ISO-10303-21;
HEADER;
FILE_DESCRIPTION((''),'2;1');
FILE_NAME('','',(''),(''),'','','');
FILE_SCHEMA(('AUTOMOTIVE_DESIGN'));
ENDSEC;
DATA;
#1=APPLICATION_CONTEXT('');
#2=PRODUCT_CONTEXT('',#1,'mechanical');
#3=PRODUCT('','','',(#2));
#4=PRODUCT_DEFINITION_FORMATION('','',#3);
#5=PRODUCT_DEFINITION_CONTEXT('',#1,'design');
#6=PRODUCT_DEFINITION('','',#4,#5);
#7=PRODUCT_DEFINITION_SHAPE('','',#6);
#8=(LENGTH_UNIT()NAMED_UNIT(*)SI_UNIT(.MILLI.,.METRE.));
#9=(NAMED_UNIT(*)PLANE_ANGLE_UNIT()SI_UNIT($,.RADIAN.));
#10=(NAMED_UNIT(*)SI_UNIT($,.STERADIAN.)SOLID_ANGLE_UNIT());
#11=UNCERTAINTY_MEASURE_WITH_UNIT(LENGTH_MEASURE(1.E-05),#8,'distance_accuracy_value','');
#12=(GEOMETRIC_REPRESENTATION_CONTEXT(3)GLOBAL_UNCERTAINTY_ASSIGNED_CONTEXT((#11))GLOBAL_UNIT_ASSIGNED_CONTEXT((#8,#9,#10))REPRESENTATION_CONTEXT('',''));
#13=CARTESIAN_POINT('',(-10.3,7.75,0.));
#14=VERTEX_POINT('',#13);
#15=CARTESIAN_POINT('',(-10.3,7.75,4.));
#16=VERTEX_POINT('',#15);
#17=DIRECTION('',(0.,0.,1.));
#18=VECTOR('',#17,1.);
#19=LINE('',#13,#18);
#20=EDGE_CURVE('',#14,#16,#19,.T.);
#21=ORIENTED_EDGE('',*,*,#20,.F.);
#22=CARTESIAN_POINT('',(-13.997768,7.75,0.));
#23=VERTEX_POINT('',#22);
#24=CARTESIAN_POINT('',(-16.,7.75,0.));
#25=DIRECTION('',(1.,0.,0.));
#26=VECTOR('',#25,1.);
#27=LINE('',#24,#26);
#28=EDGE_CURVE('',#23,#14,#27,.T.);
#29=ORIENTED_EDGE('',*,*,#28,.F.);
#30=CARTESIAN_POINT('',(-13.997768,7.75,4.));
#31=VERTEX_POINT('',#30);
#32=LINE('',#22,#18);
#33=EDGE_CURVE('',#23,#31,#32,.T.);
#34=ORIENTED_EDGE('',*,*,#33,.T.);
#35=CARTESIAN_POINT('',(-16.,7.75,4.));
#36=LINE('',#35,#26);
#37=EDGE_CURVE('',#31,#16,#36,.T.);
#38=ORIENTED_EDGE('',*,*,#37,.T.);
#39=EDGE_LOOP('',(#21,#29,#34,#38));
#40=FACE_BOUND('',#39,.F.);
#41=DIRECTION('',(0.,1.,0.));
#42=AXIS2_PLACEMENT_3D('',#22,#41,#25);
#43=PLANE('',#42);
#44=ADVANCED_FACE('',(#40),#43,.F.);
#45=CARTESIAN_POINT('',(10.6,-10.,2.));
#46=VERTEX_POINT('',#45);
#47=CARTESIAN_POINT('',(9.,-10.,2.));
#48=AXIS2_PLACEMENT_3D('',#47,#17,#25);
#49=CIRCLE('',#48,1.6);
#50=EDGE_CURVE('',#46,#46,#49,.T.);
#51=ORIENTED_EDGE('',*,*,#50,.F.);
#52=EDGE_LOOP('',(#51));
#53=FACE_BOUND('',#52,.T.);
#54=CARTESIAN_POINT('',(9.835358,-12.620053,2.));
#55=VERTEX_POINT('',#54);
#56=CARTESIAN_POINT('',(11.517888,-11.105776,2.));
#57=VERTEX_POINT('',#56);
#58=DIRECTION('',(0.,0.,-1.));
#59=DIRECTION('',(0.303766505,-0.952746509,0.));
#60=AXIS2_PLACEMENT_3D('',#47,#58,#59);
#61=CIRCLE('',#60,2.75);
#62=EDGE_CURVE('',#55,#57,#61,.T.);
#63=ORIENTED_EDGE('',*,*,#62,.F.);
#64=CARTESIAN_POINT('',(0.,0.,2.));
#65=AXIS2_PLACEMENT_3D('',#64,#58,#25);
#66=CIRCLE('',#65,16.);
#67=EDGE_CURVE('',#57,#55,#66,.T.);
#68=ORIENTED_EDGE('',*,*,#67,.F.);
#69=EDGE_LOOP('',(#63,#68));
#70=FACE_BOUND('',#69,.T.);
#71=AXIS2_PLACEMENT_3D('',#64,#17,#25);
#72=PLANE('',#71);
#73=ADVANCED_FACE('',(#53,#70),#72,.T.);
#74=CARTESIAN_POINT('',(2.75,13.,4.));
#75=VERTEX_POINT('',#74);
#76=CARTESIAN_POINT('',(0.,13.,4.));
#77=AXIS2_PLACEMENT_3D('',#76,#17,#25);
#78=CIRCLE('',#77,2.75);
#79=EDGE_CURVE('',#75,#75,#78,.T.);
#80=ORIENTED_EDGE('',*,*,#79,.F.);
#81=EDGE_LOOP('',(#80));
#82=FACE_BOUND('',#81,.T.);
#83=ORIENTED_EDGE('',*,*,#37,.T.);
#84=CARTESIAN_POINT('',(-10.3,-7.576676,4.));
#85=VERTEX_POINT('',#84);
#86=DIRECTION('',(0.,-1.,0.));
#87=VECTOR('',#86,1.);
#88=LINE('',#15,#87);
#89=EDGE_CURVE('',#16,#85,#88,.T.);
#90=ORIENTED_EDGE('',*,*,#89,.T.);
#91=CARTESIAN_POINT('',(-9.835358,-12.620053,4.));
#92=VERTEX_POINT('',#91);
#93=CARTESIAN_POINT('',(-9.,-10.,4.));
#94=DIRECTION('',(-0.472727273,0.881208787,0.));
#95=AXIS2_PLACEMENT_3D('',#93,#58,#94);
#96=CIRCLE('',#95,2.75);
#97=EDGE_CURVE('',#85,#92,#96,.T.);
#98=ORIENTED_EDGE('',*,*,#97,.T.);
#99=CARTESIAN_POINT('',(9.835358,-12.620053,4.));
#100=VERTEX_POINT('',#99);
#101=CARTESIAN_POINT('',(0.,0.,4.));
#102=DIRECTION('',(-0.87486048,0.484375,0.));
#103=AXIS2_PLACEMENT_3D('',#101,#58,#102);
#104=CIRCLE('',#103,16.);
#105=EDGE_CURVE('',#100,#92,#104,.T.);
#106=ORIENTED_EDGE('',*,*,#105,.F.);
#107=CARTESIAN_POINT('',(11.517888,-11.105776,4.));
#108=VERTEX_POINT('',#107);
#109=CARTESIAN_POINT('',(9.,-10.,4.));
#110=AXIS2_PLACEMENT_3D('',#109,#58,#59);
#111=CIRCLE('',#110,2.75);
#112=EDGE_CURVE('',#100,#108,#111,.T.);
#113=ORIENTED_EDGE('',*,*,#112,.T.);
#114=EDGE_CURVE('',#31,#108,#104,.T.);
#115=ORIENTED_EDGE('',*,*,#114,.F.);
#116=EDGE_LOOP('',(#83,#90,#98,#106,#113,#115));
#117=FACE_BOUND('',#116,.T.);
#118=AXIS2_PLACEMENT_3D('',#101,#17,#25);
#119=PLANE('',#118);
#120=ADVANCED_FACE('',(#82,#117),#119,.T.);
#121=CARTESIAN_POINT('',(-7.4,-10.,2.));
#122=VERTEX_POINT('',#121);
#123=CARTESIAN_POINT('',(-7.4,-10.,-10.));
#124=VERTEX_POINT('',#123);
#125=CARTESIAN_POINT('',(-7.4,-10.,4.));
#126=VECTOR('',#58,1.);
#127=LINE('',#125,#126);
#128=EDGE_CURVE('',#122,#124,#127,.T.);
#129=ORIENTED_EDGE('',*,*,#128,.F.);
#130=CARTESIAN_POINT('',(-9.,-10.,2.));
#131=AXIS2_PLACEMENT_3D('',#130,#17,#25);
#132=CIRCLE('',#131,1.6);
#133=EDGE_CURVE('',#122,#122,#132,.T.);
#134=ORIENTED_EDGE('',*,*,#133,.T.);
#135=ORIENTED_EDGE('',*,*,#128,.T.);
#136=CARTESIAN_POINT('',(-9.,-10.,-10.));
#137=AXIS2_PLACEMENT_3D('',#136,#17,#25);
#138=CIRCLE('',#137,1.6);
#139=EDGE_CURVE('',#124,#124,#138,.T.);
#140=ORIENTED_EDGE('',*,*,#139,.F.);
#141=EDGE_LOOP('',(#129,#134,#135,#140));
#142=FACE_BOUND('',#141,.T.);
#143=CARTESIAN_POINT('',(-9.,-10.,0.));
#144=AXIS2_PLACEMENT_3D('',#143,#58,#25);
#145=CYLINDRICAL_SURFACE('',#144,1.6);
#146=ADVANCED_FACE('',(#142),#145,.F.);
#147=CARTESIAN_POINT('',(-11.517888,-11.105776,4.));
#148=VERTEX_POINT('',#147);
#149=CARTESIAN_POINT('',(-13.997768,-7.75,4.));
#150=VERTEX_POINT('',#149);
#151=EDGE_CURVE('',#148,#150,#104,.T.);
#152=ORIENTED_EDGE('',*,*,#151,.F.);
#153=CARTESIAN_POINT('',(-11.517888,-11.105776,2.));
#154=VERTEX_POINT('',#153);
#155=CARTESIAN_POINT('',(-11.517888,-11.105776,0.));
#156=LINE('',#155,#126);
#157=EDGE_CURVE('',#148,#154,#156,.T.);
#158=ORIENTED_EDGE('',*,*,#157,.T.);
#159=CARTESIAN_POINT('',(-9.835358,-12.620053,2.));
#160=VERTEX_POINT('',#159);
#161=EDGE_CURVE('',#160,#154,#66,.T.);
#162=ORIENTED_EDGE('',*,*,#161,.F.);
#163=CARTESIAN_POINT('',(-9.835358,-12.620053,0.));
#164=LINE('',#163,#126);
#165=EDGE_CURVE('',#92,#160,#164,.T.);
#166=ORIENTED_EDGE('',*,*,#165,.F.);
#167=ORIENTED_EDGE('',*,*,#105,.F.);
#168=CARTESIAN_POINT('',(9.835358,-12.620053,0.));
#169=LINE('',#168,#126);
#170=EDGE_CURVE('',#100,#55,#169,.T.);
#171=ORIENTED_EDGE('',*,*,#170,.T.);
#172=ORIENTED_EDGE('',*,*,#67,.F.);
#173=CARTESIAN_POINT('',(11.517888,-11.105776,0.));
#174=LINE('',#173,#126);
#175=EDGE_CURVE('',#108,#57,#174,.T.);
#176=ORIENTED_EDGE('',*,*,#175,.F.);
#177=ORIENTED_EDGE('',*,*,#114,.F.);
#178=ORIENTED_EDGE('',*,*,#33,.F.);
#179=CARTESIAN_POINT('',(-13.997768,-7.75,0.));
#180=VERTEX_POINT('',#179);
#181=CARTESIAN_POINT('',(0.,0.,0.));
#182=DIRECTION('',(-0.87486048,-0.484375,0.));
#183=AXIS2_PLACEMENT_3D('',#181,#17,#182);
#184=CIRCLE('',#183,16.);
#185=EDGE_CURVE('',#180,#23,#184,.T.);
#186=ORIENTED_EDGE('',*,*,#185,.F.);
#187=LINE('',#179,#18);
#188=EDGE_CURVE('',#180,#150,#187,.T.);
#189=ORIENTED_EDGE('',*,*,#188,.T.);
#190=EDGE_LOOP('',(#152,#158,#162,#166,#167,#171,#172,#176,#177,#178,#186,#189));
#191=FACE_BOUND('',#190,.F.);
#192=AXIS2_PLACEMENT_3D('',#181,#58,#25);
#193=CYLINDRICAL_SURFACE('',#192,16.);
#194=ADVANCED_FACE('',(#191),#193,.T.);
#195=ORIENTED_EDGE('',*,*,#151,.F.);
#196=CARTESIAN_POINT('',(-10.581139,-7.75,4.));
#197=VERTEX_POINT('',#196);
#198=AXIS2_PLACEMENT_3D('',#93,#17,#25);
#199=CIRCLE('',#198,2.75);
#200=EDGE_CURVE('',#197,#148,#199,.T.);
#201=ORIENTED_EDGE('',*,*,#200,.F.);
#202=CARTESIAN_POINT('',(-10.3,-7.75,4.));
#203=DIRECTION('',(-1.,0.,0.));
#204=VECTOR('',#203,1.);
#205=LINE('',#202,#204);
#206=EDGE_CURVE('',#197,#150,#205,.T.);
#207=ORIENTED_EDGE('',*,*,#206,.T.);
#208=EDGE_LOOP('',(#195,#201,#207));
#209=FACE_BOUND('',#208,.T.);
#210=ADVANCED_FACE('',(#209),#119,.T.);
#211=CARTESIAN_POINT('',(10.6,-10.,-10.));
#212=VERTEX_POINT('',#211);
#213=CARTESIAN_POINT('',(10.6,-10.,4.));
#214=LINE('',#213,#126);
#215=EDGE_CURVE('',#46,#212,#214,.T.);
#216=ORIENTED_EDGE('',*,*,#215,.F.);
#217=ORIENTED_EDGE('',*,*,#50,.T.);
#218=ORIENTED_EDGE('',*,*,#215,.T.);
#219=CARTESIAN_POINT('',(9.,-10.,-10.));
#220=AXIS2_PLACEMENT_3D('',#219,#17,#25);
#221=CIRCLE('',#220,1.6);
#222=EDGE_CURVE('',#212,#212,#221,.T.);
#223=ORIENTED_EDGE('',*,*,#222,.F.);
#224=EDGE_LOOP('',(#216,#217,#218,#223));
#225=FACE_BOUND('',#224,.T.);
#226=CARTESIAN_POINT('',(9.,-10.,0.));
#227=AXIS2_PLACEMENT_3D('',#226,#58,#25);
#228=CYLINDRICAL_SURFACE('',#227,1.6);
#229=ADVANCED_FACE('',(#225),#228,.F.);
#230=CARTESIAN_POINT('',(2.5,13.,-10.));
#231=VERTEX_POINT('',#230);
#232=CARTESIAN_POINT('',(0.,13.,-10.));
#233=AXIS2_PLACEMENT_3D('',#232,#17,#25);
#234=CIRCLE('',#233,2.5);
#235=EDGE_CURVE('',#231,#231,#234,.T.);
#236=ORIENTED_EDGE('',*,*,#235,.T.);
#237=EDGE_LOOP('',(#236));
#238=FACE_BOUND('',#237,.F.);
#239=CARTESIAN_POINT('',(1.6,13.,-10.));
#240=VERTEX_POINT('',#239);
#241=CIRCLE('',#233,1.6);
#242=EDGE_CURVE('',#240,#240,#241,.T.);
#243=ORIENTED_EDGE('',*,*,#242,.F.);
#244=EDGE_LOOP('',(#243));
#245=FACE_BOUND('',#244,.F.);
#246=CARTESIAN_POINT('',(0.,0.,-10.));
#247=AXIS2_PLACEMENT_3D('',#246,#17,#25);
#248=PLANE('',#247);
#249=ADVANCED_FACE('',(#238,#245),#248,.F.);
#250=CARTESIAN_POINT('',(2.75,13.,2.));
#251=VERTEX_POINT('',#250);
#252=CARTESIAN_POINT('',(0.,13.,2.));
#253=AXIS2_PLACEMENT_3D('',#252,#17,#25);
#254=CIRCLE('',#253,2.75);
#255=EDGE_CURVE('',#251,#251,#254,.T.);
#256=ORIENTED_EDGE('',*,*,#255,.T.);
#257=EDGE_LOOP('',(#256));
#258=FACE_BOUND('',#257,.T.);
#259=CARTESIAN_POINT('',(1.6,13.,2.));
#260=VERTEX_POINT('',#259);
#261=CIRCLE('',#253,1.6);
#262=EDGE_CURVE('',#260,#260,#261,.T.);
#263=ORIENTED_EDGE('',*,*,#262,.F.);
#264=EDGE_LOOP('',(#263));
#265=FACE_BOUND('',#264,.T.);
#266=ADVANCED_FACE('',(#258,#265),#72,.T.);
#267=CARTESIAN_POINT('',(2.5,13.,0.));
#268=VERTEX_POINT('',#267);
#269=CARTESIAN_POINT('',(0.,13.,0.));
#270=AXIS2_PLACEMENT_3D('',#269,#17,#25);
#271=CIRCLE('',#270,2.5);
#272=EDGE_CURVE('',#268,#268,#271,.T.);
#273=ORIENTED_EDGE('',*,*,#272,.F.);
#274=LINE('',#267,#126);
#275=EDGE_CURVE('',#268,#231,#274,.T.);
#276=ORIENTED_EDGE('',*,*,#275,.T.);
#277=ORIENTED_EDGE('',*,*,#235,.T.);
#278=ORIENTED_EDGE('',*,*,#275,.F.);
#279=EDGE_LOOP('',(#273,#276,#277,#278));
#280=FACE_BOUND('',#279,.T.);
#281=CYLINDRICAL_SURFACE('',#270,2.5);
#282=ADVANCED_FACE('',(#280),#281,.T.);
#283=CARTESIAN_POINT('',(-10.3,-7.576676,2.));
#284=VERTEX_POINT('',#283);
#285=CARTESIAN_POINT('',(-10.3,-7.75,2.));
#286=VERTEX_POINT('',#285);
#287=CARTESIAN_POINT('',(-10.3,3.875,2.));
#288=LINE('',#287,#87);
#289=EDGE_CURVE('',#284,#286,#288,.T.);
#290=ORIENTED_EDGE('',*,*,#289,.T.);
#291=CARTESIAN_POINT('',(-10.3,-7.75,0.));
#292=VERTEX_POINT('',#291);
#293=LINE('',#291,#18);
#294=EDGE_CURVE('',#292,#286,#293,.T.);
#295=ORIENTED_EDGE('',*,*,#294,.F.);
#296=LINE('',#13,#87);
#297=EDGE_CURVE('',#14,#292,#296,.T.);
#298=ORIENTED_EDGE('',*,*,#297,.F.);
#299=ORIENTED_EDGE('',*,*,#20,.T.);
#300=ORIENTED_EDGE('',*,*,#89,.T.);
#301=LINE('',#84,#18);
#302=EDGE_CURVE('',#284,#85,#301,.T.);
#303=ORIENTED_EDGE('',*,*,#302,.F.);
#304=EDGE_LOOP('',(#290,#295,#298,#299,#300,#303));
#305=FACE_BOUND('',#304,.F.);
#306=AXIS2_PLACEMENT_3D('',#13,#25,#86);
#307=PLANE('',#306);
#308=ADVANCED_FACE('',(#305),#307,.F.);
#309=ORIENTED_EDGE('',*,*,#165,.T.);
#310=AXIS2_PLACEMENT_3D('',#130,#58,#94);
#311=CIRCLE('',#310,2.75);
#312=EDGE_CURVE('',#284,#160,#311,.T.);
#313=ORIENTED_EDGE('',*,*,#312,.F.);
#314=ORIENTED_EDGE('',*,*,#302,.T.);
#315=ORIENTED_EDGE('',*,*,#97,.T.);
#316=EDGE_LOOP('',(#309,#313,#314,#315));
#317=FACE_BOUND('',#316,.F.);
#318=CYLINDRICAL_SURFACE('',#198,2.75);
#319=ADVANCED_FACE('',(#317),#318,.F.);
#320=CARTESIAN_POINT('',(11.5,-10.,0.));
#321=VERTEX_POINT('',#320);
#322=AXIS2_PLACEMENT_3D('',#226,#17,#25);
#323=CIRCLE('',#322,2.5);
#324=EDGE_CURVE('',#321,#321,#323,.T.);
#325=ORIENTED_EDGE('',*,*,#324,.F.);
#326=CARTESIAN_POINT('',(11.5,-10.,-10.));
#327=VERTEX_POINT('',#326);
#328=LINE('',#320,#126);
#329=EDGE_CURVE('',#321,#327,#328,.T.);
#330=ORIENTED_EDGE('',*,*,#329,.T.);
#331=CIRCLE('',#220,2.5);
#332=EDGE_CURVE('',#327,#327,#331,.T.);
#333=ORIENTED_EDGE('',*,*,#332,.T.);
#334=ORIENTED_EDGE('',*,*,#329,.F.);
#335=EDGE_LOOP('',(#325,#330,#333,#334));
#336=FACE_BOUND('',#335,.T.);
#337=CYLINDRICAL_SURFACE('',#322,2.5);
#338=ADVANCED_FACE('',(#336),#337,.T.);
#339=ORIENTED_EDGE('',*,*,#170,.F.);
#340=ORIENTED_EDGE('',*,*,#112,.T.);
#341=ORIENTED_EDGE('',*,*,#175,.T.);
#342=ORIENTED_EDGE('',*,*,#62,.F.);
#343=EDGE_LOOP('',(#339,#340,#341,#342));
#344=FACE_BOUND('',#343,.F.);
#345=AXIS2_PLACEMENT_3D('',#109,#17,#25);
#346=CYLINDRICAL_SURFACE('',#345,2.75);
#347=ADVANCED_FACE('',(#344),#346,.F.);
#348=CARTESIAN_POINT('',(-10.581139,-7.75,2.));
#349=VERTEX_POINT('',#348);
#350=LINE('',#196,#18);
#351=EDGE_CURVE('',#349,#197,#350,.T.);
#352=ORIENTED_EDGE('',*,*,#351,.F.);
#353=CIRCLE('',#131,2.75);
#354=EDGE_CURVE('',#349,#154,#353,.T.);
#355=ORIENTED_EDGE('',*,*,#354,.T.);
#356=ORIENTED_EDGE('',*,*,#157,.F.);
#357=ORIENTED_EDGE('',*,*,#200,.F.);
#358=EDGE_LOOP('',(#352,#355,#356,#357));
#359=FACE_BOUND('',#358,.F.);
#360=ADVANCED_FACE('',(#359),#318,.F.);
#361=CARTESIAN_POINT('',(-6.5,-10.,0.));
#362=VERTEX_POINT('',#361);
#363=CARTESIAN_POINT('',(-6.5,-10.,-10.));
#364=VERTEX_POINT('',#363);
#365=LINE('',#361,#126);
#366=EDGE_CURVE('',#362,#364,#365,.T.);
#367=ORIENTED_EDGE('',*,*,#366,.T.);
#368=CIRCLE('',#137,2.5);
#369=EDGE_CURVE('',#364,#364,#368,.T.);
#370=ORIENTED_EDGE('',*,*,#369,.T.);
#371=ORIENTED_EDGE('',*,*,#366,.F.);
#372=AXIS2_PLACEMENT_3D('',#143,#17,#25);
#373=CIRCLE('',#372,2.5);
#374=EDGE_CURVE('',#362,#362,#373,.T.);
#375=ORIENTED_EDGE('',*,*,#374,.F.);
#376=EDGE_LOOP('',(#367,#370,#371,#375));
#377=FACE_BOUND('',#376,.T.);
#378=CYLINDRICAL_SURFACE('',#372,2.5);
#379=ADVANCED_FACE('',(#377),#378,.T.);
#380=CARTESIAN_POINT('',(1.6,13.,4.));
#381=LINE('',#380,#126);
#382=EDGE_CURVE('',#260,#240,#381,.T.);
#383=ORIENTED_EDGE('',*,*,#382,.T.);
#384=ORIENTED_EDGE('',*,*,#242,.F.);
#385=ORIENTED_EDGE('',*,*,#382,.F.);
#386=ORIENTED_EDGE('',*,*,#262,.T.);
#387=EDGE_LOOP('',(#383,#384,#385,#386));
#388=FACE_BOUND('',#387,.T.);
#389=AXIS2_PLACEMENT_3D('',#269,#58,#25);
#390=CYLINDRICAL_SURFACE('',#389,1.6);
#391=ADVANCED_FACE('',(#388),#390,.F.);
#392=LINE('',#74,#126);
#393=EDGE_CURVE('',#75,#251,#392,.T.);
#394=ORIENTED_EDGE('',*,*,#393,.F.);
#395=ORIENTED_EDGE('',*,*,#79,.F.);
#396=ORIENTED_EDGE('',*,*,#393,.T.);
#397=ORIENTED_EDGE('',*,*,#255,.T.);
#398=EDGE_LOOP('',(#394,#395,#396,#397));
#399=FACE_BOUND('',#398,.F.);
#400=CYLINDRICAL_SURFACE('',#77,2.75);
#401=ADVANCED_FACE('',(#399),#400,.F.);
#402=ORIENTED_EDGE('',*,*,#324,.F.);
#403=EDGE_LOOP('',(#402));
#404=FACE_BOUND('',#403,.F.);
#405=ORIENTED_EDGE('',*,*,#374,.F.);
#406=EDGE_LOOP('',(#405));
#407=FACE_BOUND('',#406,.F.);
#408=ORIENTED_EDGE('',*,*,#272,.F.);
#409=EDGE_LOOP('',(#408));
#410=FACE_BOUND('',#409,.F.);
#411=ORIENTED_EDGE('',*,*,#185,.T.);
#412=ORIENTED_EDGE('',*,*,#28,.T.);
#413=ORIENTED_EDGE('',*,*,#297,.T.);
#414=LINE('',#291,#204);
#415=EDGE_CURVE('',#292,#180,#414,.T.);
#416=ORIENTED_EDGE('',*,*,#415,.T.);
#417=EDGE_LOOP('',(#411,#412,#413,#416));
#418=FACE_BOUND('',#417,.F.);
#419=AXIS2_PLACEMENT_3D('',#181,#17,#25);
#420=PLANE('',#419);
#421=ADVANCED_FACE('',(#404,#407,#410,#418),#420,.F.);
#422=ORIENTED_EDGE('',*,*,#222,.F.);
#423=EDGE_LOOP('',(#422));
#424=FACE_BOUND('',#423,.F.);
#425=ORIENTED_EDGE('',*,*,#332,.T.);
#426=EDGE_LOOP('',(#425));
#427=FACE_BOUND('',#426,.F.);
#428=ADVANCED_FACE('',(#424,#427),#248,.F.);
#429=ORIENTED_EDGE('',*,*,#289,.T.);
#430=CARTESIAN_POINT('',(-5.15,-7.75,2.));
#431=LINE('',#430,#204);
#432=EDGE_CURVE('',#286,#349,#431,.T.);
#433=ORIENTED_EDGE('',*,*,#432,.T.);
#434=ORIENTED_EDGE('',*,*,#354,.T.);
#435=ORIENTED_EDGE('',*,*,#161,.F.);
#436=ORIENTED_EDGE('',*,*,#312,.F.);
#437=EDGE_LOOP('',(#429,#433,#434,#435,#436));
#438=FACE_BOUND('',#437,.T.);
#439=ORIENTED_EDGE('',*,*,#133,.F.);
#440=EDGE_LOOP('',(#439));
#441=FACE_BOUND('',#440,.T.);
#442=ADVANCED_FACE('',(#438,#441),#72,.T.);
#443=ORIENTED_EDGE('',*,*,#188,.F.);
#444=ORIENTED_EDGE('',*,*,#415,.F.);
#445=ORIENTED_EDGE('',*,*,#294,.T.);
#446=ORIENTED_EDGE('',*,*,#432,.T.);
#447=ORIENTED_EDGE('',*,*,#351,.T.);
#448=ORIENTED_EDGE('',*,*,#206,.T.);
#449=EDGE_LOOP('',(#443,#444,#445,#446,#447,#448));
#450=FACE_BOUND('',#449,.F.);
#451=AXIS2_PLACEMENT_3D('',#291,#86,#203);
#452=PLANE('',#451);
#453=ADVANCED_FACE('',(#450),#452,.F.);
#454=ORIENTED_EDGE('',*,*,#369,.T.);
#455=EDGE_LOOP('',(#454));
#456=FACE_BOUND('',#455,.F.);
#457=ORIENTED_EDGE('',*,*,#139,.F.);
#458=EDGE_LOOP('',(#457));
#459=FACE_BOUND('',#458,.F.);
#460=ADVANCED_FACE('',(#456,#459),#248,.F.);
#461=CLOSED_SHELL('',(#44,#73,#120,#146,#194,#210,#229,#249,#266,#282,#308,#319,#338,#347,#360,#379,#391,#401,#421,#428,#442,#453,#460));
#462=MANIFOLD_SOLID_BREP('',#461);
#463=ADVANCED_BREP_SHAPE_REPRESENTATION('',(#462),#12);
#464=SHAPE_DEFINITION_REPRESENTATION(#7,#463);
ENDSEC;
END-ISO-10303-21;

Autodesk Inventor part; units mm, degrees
ref_plane "YZ Plane" through (0, 0, 0) normal (1, 0, 0) x (0, 1, 0)
ref_plane "XZ Plane" through (0, 0, 0) normal (0, 1, 0) x (-1, 0, 0)
ref_plane "XY Plane" through (0, 0, 0) normal (0, 0, 1) x (1, 0, 0)
sketch "Sketch1" plane through (0, 0, 0) normal (0, 0, 1) x (1, 0, 0)
  circle A0 centre (0, 0) radius 16
  line L0 (-16, 7.75) -> (-10.3, 7.75)
  line L1 (-10.3, 7.75) -> (-10.3, -7.75)
  line L2 (-10.3, -7.75) -> (-16, -7.75)
  line L3 (-16, -7.75) -> (-16, 7.75)
  circle A1 centre (-9, -10) radius 1.6
  circle A2 centre (9, -10) radius 1.6
  circle A3 centre (0, 13) radius 1.6
  circle A4 centre (0, 13) radius 2.5
  circle A5 centre (-9, -10) radius 2.5
  circle A6 centre (9, -10) radius 2.5
  point P0 (-10.3, 0)
  point P1 (-13.9978, -7.75)
  point P2 (-13.9978, 7.75)
  dimension "d0" = 32
  dimension "d1" = 5.7
  dimension "d2" = 15.5
  dimension "d3" = 9
  dimension "d4" = 9
  dimension "d5" = 23
  dimension "d6" = 13
  dimension "d7" = 3.2
  dimension "d8" = 5
extrude "Extrusion1" add sketch "Sketch1" along normal blind 4 contours A0 L2 L1 L0 | A4 | A5 | A6 picked at (0.1004, -2.0554)
extrude "Extrusion2" add sketch "Sketch1" against normal blind 10 contours A4 | A5 | A6
sketch "Sketch2" plane through (0, 0, 4) normal (0, 0, 1) x (1, 0, 0)
  circle A0 centre (0, 13) radius 1.6 projected
  circle A1 centre (-9, -10) radius 1.6 projected
  circle A2 centre (9, -10) radius 1.6 projected
  circle A3 centre (0, 13) radius 2.75
  circle A4 centre (-9, -10) radius 2.75
  circle A5 centre (9, -10) radius 2.75
  point P0 (0, 0)
  dimension "d14" = 5.5
extrude "Extrusion3" cut sketch "Sketch2" against normal blind 2
equation "\"d4\" = d3"
properties part number "Driveunit_Spacer"
